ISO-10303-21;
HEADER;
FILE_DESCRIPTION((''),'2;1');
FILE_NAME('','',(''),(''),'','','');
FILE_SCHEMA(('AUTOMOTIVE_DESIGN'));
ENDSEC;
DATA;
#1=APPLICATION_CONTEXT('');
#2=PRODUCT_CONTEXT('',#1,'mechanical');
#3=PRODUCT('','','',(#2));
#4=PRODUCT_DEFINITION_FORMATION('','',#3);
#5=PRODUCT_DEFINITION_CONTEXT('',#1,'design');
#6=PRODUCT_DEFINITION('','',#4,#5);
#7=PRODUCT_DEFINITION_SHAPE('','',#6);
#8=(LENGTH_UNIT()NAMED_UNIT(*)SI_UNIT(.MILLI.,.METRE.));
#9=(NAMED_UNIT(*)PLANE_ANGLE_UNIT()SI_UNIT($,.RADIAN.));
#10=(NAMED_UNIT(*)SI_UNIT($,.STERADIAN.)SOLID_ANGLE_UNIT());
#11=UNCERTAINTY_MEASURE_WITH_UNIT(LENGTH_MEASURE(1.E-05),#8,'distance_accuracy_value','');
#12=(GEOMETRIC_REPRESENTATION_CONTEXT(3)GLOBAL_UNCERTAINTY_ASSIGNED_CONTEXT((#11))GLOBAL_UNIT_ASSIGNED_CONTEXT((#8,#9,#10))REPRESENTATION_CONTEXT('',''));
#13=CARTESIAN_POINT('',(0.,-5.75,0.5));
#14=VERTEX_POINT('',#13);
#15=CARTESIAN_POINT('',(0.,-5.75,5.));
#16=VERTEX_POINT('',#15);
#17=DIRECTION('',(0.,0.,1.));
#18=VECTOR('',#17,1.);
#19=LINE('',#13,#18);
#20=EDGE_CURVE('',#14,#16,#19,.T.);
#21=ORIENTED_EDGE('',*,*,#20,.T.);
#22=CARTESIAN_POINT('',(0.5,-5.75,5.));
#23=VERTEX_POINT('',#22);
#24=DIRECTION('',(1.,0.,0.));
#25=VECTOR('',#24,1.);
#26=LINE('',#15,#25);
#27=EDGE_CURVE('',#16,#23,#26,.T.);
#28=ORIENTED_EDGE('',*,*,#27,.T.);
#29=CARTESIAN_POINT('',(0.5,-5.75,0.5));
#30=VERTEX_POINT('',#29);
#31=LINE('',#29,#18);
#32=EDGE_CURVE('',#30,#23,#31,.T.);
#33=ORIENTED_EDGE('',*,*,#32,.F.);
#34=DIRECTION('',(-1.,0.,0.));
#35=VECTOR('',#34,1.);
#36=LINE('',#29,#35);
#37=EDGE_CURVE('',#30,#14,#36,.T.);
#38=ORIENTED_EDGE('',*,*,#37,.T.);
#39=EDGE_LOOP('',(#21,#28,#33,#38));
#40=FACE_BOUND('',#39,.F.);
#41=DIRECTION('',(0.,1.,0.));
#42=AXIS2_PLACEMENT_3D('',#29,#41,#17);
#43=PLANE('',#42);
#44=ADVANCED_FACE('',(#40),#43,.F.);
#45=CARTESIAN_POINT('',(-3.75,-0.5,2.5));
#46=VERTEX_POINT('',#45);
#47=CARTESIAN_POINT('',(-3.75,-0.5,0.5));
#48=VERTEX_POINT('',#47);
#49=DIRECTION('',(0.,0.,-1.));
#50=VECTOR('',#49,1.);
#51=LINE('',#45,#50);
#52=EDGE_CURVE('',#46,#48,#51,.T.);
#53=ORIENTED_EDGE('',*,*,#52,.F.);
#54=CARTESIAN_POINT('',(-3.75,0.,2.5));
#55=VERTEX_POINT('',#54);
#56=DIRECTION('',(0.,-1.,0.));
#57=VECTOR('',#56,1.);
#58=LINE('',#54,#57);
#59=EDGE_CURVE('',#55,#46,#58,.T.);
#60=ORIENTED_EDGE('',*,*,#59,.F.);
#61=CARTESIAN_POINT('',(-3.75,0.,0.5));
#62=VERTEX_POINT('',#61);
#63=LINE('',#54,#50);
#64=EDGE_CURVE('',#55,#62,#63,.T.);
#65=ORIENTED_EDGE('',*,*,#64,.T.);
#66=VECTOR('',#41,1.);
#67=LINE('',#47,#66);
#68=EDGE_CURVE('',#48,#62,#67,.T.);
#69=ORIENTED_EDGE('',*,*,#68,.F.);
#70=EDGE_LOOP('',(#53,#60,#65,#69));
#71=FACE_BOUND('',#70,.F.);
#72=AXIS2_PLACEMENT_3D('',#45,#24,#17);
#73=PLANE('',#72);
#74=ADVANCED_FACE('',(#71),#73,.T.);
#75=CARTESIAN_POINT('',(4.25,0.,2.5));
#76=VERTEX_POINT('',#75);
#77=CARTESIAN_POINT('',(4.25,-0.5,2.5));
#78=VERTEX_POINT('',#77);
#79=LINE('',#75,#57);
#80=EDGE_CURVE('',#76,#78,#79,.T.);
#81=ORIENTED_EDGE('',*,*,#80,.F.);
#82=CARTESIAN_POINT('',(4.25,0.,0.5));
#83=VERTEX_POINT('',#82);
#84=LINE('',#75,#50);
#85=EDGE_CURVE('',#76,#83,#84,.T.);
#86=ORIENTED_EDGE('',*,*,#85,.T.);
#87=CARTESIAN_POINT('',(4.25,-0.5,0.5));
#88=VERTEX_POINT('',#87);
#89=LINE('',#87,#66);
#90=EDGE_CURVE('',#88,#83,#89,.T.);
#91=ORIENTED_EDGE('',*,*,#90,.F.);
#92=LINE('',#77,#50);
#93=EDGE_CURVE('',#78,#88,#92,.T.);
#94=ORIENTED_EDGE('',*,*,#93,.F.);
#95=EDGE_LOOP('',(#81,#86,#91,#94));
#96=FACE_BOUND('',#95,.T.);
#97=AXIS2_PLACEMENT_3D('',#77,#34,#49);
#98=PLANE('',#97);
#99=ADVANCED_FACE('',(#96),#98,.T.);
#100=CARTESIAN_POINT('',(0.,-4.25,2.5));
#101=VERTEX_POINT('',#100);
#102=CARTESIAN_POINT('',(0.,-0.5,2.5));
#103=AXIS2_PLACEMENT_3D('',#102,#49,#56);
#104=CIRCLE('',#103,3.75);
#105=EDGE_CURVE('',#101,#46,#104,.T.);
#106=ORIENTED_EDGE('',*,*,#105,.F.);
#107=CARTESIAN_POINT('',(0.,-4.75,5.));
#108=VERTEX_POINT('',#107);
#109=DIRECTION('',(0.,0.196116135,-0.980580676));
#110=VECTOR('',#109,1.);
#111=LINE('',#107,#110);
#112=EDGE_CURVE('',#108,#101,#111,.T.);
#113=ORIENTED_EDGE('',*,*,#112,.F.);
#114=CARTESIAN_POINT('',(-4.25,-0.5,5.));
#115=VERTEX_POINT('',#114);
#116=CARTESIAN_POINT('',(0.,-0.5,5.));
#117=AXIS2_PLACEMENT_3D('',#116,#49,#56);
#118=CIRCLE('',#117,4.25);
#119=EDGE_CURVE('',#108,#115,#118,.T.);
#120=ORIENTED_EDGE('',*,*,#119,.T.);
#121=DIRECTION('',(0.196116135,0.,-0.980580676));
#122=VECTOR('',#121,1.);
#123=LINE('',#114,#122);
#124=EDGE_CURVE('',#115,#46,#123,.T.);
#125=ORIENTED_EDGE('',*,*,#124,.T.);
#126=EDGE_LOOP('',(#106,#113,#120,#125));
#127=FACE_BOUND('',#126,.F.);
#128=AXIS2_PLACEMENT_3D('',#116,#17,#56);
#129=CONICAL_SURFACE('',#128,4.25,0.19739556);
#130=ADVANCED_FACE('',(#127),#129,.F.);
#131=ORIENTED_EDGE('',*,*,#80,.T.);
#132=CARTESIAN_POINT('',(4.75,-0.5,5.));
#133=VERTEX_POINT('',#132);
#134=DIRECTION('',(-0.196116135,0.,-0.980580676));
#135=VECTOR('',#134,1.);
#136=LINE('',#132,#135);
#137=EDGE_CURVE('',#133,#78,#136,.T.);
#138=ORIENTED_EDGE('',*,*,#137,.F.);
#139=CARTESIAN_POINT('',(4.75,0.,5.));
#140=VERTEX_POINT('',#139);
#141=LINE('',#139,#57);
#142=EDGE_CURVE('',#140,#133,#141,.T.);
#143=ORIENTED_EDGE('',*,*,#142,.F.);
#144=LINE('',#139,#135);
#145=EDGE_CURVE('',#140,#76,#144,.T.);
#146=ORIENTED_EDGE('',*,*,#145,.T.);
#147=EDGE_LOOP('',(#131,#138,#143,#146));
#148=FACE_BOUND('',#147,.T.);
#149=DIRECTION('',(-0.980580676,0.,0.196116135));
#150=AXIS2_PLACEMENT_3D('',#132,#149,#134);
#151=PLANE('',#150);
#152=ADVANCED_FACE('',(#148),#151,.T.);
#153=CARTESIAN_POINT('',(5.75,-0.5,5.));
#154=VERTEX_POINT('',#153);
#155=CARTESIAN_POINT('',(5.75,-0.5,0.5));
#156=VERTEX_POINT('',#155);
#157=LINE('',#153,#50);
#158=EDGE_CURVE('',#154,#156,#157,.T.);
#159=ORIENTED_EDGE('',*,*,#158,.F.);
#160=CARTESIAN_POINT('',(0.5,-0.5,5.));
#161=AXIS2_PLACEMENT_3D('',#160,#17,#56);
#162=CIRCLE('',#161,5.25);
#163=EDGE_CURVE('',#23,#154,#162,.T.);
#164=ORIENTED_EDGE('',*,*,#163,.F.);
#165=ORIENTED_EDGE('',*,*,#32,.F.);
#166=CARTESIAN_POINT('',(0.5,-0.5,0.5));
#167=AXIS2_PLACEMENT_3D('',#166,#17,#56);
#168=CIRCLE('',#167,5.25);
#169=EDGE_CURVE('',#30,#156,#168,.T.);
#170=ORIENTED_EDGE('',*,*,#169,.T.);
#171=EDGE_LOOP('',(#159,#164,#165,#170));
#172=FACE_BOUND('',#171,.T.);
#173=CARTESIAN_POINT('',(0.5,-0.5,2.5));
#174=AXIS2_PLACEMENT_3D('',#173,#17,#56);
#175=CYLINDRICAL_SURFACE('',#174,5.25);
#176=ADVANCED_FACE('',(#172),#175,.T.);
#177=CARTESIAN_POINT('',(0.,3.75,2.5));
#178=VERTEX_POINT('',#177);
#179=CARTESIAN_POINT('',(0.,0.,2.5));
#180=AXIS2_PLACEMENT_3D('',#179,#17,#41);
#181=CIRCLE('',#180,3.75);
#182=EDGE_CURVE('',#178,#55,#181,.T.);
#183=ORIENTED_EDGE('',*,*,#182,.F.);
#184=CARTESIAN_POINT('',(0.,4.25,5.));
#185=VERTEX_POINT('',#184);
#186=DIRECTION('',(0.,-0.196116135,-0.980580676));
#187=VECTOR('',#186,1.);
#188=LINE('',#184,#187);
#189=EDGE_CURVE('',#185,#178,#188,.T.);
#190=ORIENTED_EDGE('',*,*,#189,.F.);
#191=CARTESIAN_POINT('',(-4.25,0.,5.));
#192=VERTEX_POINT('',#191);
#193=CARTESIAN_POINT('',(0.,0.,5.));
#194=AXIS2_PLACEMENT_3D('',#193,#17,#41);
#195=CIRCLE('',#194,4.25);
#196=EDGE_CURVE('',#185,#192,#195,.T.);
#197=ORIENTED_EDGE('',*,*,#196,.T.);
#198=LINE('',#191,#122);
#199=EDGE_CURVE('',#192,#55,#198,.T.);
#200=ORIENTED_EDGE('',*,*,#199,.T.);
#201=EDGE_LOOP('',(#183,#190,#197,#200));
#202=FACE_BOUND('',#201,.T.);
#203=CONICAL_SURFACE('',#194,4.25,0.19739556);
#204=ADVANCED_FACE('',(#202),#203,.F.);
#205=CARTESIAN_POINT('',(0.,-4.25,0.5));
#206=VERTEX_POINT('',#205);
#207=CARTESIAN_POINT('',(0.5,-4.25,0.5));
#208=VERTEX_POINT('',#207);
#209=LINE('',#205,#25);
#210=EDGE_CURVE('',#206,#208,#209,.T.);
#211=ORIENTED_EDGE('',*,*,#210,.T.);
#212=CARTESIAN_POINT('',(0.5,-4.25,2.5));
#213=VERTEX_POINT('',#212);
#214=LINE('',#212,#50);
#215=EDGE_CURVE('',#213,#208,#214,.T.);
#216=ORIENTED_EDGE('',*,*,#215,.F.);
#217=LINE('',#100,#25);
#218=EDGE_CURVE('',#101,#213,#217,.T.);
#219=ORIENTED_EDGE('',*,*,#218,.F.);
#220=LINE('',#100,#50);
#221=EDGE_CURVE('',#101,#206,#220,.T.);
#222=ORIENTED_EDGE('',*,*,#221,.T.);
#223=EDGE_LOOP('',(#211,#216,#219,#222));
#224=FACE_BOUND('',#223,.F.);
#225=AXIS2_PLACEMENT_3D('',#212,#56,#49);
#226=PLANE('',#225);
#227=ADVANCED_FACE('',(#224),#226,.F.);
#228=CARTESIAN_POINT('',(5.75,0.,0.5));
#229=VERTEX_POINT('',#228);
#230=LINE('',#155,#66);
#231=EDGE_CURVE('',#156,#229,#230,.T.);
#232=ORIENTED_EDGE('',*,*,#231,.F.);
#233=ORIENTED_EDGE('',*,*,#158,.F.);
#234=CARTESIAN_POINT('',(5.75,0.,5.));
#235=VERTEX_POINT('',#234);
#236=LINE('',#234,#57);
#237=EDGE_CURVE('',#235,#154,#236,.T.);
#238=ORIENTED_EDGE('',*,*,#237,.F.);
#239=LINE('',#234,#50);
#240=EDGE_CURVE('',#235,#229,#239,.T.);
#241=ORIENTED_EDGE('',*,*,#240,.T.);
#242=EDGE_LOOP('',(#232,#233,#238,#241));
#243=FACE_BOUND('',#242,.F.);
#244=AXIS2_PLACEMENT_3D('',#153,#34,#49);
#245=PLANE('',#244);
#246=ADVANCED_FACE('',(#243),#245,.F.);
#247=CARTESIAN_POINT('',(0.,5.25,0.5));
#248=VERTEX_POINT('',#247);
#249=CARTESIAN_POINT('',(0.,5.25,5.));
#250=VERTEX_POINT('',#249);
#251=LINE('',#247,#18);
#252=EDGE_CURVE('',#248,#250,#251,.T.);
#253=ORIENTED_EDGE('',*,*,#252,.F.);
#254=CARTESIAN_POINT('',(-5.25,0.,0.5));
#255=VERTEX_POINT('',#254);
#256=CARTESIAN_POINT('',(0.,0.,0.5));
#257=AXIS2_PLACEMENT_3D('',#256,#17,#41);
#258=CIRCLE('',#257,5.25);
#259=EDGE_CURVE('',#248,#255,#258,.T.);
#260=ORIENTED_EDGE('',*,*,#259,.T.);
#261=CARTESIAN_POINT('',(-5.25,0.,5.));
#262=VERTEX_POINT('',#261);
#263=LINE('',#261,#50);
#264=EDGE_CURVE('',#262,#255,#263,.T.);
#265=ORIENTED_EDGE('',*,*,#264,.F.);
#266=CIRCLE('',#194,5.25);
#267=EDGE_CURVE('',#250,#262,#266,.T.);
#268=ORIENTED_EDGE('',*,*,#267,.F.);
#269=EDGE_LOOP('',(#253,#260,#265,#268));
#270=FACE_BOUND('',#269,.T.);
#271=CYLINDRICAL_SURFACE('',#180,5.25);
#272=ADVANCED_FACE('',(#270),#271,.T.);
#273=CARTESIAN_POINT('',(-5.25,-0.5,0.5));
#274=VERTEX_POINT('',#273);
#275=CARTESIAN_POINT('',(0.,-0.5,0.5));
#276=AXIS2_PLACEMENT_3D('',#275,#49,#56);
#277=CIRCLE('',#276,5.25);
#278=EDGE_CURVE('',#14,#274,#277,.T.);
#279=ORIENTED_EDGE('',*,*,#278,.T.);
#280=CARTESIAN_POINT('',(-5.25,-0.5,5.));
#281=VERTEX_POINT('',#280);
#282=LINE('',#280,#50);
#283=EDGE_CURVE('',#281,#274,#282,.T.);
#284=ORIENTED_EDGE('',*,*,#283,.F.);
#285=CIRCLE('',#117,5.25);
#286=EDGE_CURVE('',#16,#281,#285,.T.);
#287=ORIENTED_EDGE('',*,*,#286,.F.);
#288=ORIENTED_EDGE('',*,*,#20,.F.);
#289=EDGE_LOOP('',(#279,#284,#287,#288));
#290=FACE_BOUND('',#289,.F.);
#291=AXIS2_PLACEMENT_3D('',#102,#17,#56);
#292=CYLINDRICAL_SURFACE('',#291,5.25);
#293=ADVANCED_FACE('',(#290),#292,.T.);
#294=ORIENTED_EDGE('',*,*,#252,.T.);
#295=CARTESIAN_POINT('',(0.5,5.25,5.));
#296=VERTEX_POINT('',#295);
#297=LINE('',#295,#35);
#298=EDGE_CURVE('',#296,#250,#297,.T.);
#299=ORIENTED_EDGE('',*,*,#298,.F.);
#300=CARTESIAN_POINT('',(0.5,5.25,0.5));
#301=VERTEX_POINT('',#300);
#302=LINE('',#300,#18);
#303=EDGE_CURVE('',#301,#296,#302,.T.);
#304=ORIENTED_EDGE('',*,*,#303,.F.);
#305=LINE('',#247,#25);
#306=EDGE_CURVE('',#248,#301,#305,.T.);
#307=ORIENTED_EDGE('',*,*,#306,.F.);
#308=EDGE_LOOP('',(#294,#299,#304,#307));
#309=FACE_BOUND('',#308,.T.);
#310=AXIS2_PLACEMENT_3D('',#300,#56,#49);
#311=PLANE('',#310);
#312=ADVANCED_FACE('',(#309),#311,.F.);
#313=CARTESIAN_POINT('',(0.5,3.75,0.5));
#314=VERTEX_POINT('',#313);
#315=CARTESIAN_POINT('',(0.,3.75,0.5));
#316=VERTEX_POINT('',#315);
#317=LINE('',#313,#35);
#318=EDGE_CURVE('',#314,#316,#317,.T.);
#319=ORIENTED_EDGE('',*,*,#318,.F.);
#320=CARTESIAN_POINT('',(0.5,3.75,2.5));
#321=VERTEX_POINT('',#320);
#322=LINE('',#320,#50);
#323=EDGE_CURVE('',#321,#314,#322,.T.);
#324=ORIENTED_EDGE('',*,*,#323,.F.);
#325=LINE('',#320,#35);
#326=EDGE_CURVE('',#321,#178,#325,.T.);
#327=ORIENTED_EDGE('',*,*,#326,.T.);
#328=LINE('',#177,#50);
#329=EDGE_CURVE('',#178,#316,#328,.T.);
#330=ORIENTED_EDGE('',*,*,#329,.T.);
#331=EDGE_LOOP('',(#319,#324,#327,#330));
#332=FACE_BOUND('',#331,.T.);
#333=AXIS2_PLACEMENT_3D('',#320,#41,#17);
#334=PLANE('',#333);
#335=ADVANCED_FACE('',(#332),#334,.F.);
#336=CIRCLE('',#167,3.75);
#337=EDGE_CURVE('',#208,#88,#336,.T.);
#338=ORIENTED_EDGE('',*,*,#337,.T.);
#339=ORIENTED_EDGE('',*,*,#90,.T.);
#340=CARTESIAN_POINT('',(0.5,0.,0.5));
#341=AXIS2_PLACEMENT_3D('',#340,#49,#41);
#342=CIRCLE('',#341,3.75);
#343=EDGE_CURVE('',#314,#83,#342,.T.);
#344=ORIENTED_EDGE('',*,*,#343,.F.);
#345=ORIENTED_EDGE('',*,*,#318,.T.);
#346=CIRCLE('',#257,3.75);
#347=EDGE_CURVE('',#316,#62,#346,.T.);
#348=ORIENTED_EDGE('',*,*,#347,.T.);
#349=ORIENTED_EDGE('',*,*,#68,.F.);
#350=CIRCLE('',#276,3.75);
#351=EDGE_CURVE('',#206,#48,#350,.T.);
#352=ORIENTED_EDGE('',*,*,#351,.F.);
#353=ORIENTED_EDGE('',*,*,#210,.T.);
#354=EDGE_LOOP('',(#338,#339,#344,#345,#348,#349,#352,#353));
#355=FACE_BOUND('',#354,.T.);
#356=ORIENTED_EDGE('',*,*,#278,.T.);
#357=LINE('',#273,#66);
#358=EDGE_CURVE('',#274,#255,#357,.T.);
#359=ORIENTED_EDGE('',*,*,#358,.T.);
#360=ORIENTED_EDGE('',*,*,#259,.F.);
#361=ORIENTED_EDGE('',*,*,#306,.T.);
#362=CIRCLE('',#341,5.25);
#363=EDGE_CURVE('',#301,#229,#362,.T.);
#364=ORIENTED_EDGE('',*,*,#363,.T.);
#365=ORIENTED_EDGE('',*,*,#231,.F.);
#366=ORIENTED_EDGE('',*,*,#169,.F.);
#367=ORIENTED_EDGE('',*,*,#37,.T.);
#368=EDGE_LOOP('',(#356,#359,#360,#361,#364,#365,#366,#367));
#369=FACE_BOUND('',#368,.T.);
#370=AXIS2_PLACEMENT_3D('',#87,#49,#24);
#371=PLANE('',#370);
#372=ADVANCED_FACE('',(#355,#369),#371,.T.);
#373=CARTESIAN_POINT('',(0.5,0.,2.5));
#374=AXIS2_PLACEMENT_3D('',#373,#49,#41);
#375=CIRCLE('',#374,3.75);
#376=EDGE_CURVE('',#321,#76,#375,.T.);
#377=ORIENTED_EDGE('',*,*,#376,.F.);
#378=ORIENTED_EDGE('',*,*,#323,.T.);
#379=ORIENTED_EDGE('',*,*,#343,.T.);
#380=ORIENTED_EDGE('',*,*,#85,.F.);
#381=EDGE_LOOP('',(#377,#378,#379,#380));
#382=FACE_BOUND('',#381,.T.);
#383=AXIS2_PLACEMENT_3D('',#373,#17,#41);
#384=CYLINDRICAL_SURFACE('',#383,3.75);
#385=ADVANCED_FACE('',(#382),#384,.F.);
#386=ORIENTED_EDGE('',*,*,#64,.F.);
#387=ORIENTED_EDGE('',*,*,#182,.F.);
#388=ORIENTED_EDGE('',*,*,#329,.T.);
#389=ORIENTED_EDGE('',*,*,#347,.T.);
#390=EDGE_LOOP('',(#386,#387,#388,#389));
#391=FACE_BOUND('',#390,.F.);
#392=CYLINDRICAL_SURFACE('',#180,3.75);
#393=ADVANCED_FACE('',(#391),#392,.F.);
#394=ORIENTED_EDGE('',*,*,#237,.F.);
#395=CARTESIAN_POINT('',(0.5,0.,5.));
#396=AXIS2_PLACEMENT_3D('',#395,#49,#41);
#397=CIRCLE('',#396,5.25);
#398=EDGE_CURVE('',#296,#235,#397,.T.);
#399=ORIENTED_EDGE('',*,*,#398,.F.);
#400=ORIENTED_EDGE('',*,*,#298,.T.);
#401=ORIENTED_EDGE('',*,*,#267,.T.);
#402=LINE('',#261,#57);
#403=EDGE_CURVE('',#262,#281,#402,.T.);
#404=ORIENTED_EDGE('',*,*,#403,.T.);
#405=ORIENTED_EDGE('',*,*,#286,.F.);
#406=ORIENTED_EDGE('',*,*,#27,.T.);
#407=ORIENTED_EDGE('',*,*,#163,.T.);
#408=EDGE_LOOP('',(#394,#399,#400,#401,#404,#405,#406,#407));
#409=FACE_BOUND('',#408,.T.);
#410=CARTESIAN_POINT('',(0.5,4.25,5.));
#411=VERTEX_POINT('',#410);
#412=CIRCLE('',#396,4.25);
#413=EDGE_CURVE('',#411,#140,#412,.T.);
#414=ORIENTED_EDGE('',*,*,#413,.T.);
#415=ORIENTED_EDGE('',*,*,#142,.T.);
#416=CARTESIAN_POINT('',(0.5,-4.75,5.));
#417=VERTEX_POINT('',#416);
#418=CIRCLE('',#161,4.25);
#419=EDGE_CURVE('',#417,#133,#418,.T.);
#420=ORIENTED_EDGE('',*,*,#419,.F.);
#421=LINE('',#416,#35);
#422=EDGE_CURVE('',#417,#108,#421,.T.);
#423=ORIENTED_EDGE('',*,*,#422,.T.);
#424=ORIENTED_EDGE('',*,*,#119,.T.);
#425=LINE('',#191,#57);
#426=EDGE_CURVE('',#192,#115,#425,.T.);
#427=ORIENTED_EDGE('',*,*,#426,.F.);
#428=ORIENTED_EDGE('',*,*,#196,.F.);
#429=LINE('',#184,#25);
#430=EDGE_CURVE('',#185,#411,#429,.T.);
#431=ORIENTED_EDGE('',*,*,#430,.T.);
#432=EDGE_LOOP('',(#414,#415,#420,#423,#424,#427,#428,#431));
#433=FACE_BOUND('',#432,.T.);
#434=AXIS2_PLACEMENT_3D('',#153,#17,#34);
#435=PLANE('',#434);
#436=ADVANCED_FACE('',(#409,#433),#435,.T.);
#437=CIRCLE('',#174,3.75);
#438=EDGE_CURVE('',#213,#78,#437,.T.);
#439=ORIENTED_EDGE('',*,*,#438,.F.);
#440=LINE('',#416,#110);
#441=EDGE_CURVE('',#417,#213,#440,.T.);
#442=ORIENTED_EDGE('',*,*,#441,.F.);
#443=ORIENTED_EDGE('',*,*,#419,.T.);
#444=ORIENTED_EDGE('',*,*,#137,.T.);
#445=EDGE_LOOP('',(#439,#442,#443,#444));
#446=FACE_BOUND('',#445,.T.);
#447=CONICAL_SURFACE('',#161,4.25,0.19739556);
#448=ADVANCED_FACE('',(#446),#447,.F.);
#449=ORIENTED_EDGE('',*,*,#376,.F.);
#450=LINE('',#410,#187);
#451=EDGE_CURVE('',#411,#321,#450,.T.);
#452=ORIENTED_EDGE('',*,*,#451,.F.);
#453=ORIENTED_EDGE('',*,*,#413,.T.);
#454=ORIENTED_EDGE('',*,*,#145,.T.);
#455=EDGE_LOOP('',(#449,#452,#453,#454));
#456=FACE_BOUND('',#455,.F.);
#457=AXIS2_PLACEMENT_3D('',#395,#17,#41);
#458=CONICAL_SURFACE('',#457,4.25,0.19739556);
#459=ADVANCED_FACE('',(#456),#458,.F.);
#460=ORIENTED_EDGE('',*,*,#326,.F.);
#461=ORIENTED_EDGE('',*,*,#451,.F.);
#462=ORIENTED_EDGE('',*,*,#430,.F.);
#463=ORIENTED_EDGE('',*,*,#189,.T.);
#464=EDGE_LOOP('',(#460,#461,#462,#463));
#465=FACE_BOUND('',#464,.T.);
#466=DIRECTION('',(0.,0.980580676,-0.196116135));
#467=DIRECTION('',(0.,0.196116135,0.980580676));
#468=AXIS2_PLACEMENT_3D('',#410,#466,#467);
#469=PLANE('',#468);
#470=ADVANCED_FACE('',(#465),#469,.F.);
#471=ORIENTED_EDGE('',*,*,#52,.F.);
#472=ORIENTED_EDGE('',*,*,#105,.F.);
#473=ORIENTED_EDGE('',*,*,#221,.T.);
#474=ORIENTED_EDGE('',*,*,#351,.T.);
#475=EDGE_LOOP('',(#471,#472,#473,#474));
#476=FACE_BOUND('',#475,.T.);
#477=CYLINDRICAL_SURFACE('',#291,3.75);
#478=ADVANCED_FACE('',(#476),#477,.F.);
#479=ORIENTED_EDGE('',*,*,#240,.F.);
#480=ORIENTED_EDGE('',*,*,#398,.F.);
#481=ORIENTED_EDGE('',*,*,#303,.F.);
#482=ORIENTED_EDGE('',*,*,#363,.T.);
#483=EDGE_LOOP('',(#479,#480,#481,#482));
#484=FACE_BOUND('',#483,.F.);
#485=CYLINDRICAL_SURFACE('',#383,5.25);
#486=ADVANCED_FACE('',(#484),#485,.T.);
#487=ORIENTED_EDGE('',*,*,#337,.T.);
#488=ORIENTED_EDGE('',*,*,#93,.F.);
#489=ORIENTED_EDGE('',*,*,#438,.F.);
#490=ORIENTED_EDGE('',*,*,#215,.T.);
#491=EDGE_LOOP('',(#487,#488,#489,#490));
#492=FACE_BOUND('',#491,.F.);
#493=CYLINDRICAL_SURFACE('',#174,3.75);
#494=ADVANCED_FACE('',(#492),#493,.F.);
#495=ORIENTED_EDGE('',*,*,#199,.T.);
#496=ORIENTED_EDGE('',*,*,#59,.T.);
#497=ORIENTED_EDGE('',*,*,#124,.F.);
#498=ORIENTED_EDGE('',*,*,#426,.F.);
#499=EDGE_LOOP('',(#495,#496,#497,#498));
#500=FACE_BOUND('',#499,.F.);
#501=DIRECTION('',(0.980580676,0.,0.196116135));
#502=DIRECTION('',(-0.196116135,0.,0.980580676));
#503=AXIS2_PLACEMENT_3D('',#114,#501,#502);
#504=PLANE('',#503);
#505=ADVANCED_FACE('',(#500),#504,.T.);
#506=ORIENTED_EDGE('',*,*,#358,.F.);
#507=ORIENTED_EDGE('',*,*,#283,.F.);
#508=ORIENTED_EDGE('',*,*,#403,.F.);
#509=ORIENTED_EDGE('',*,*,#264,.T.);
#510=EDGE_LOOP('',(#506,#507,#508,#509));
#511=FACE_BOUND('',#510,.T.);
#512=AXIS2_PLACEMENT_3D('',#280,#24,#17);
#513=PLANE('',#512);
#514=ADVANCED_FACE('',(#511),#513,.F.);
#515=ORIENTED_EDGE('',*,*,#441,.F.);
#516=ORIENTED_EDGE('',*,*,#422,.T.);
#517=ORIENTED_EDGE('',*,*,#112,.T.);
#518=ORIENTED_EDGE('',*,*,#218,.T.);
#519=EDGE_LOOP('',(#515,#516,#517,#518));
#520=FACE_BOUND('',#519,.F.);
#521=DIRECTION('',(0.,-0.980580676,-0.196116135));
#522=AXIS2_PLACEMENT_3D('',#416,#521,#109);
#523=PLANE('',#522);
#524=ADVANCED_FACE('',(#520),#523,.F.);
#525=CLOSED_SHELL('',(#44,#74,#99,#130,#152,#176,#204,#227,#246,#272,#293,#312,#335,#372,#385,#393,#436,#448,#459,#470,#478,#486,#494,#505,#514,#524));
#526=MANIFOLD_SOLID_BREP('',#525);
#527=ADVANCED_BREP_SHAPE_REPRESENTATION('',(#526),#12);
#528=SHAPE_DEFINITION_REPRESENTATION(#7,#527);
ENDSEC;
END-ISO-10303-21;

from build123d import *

# Parameters (mm, degrees)
F1_ANGLE = 90
F2_DEPTH = 2
F3_DEPTH = 0.25
F4_DEPTH = 0.25


with BuildPart() as f1:
    # F0 (on Right) → F1 (revolve)
    with BuildSketch(Plane.YZ):
        Polygon((4.25, 5), (3.75, 2.5), (5.25, 2.5), (5.25, 5), align=None)
    revolve(axis=Axis((0, 0, 2.5), (0, 0, 1)), revolution_arc=F1_ANGLE)

    # F2 (add): a face of the model
    f2_faces = [f1.faces().sort_by_distance(p)[0] for p in [
        (-2.8913147995, 2.8913147995, 2.5),
    ]]
    extrude(f2_faces, amount=F2_DEPTH)

    # F3 (add): a face of the model
    f3_faces = [f1.faces().sort_by_distance(p)[0] for p in [
        (0, 4.5595238095, 2.6054421769),
    ]]
    extrude(f3_faces, amount=F3_DEPTH)

    # F4 (add): a face of the model
    f4_faces = [f1.faces().sort_by_distance(p)[0] for p in [
        (-4.5595238095, 0, 2.6054421769),
    ]]
    extrude(f4_faces, amount=F4_DEPTH)

    # F5: F1 across face


with BuildPart() as f1_1:
    add(f1.part)
    add(f1.part.mirror(Plane(origin=(-4.5595238095, -0.25, 2.6054421769), x_dir=(1, 0, 0), z_dir=(0, -1, 0))))

    # F6: F1 across face


with BuildPart() as f1_2:
    add(f1_1.part)
    add(f1_1.part.mirror(Plane(origin=(0.25, -5.0595238095, 2.6054421769), x_dir=(0, 1, 0), z_dir=(1, 0, 0))))


solid = f1_2.part
